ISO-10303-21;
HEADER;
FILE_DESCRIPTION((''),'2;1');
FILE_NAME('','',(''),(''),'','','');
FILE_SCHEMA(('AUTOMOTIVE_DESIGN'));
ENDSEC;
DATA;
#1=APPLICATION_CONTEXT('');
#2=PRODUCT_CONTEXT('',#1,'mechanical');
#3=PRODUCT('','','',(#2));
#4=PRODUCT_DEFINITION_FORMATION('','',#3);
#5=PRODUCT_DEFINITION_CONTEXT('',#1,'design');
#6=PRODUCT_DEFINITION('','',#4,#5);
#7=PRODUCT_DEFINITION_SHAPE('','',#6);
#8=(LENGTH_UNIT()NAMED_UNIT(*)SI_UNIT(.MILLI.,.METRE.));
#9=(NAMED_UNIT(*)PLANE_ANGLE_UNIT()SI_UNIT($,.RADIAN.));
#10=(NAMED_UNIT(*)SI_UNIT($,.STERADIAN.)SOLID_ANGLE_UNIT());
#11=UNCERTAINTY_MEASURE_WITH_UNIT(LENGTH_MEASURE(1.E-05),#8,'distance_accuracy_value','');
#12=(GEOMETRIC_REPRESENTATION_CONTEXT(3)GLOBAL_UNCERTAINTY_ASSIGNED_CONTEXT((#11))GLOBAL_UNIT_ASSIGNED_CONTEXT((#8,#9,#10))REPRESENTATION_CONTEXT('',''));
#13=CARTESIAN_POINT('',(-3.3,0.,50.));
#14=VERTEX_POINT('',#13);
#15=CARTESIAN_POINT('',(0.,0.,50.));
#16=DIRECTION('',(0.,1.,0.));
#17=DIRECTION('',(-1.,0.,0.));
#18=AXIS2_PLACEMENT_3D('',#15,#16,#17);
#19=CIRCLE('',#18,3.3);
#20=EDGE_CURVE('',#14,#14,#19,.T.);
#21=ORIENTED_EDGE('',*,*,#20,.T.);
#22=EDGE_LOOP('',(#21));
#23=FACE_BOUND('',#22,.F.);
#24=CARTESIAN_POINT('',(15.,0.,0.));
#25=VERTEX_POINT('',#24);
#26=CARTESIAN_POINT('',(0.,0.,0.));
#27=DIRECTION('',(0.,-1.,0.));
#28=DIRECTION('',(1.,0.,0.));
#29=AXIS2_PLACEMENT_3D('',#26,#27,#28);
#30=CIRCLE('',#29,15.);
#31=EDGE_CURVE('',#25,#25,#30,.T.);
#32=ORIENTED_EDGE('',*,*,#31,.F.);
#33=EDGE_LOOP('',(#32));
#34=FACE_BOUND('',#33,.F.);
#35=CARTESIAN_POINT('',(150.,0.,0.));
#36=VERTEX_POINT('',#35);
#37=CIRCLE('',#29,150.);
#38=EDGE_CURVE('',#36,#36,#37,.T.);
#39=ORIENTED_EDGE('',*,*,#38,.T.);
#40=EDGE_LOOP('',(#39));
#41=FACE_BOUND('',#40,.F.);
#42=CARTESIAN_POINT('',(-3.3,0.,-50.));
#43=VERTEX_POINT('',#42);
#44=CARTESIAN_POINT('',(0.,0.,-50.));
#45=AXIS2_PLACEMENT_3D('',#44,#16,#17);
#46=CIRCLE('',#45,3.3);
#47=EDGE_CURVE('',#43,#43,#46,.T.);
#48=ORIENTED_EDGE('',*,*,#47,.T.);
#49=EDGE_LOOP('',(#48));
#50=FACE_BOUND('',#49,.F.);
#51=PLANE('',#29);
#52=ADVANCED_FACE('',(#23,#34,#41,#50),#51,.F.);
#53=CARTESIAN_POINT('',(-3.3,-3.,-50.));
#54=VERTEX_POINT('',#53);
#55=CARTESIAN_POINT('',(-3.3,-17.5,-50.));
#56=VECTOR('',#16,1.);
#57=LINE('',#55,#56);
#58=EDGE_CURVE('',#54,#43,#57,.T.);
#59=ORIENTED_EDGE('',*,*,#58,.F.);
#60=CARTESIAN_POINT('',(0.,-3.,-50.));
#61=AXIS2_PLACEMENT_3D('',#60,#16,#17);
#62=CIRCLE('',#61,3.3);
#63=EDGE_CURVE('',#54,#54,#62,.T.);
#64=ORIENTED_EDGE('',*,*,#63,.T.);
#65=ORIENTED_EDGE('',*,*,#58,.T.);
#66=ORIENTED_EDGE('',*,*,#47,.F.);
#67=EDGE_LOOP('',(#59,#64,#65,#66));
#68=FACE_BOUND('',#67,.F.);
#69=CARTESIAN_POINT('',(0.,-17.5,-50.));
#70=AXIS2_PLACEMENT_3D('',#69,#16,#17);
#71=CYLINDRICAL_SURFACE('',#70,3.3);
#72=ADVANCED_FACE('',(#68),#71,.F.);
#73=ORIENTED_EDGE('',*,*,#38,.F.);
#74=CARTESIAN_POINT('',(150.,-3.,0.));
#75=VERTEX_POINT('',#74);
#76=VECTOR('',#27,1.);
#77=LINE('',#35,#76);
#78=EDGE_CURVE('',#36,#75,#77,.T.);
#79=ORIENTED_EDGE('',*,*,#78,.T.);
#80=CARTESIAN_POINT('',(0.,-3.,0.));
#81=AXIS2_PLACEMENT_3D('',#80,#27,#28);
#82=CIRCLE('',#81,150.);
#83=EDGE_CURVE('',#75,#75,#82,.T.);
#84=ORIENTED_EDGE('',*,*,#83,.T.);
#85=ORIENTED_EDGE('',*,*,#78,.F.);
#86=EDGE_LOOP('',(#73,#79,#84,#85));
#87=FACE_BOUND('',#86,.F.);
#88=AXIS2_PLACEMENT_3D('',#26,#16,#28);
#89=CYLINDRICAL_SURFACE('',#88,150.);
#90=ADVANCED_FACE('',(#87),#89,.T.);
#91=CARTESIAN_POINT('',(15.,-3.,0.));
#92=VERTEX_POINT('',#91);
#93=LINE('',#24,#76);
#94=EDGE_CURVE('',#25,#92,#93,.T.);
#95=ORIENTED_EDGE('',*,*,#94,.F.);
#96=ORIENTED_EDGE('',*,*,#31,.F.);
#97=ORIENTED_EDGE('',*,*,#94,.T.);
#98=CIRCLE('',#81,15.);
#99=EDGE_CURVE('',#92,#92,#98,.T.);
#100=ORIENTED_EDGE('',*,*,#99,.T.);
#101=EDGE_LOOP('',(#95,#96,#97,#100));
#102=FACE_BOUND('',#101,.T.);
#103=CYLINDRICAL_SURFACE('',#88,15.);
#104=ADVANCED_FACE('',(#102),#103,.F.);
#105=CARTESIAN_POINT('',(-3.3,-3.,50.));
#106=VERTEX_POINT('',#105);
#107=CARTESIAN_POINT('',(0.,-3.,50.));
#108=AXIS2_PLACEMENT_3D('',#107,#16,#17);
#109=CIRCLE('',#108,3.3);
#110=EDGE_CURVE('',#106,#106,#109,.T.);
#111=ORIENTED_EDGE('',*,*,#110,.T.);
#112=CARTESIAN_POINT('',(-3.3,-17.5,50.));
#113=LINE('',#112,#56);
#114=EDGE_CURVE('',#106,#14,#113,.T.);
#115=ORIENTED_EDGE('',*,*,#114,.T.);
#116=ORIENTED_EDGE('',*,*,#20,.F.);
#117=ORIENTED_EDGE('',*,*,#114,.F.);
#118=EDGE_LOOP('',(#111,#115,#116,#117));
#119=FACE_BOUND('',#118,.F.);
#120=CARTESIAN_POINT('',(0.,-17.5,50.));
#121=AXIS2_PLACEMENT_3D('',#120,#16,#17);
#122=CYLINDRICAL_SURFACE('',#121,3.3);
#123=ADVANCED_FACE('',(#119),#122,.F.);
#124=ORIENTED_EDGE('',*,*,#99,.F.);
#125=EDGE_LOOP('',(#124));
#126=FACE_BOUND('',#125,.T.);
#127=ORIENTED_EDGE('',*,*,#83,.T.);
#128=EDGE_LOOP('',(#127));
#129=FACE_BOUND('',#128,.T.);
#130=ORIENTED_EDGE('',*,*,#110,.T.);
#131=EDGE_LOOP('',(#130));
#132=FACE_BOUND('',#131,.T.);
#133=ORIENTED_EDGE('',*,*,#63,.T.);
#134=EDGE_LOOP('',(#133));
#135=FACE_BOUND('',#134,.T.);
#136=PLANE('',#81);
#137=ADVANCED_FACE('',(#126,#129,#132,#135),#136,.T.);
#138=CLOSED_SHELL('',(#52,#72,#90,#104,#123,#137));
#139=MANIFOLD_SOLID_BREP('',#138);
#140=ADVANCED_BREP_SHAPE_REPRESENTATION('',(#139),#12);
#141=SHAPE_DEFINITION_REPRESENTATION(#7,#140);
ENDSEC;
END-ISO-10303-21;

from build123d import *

# Parameters (mm, degrees)
F0_R     = 150
F0_R_2   = 15
F1_DEPTH = 3
F3_D     = 6.6
F3_DEPTH = 14.5
F3_TIP   = 1.9828400428


with BuildPart() as f1:
    # F0 (on Front) → F1 (new body)
    with BuildSketch(Plane.XZ):
        Circle(F0_R)
        Circle(F0_R_2, mode=Mode.SUBTRACT)
    extrude(amount=F1_DEPTH)

    # F3
    with Locations(Plane.XZ.offset(3)):
        with Locations((0, 50), (0, -50)):
            Hole(F3_D / 2, depth=F3_DEPTH)
            with Locations((0, 0, -(F3_DEPTH + F3_TIP / 2))):  # 118° drill point
                Cone(0, F3_D / 2, F3_TIP, mode=Mode.SUBTRACT)


solid = f1.part
